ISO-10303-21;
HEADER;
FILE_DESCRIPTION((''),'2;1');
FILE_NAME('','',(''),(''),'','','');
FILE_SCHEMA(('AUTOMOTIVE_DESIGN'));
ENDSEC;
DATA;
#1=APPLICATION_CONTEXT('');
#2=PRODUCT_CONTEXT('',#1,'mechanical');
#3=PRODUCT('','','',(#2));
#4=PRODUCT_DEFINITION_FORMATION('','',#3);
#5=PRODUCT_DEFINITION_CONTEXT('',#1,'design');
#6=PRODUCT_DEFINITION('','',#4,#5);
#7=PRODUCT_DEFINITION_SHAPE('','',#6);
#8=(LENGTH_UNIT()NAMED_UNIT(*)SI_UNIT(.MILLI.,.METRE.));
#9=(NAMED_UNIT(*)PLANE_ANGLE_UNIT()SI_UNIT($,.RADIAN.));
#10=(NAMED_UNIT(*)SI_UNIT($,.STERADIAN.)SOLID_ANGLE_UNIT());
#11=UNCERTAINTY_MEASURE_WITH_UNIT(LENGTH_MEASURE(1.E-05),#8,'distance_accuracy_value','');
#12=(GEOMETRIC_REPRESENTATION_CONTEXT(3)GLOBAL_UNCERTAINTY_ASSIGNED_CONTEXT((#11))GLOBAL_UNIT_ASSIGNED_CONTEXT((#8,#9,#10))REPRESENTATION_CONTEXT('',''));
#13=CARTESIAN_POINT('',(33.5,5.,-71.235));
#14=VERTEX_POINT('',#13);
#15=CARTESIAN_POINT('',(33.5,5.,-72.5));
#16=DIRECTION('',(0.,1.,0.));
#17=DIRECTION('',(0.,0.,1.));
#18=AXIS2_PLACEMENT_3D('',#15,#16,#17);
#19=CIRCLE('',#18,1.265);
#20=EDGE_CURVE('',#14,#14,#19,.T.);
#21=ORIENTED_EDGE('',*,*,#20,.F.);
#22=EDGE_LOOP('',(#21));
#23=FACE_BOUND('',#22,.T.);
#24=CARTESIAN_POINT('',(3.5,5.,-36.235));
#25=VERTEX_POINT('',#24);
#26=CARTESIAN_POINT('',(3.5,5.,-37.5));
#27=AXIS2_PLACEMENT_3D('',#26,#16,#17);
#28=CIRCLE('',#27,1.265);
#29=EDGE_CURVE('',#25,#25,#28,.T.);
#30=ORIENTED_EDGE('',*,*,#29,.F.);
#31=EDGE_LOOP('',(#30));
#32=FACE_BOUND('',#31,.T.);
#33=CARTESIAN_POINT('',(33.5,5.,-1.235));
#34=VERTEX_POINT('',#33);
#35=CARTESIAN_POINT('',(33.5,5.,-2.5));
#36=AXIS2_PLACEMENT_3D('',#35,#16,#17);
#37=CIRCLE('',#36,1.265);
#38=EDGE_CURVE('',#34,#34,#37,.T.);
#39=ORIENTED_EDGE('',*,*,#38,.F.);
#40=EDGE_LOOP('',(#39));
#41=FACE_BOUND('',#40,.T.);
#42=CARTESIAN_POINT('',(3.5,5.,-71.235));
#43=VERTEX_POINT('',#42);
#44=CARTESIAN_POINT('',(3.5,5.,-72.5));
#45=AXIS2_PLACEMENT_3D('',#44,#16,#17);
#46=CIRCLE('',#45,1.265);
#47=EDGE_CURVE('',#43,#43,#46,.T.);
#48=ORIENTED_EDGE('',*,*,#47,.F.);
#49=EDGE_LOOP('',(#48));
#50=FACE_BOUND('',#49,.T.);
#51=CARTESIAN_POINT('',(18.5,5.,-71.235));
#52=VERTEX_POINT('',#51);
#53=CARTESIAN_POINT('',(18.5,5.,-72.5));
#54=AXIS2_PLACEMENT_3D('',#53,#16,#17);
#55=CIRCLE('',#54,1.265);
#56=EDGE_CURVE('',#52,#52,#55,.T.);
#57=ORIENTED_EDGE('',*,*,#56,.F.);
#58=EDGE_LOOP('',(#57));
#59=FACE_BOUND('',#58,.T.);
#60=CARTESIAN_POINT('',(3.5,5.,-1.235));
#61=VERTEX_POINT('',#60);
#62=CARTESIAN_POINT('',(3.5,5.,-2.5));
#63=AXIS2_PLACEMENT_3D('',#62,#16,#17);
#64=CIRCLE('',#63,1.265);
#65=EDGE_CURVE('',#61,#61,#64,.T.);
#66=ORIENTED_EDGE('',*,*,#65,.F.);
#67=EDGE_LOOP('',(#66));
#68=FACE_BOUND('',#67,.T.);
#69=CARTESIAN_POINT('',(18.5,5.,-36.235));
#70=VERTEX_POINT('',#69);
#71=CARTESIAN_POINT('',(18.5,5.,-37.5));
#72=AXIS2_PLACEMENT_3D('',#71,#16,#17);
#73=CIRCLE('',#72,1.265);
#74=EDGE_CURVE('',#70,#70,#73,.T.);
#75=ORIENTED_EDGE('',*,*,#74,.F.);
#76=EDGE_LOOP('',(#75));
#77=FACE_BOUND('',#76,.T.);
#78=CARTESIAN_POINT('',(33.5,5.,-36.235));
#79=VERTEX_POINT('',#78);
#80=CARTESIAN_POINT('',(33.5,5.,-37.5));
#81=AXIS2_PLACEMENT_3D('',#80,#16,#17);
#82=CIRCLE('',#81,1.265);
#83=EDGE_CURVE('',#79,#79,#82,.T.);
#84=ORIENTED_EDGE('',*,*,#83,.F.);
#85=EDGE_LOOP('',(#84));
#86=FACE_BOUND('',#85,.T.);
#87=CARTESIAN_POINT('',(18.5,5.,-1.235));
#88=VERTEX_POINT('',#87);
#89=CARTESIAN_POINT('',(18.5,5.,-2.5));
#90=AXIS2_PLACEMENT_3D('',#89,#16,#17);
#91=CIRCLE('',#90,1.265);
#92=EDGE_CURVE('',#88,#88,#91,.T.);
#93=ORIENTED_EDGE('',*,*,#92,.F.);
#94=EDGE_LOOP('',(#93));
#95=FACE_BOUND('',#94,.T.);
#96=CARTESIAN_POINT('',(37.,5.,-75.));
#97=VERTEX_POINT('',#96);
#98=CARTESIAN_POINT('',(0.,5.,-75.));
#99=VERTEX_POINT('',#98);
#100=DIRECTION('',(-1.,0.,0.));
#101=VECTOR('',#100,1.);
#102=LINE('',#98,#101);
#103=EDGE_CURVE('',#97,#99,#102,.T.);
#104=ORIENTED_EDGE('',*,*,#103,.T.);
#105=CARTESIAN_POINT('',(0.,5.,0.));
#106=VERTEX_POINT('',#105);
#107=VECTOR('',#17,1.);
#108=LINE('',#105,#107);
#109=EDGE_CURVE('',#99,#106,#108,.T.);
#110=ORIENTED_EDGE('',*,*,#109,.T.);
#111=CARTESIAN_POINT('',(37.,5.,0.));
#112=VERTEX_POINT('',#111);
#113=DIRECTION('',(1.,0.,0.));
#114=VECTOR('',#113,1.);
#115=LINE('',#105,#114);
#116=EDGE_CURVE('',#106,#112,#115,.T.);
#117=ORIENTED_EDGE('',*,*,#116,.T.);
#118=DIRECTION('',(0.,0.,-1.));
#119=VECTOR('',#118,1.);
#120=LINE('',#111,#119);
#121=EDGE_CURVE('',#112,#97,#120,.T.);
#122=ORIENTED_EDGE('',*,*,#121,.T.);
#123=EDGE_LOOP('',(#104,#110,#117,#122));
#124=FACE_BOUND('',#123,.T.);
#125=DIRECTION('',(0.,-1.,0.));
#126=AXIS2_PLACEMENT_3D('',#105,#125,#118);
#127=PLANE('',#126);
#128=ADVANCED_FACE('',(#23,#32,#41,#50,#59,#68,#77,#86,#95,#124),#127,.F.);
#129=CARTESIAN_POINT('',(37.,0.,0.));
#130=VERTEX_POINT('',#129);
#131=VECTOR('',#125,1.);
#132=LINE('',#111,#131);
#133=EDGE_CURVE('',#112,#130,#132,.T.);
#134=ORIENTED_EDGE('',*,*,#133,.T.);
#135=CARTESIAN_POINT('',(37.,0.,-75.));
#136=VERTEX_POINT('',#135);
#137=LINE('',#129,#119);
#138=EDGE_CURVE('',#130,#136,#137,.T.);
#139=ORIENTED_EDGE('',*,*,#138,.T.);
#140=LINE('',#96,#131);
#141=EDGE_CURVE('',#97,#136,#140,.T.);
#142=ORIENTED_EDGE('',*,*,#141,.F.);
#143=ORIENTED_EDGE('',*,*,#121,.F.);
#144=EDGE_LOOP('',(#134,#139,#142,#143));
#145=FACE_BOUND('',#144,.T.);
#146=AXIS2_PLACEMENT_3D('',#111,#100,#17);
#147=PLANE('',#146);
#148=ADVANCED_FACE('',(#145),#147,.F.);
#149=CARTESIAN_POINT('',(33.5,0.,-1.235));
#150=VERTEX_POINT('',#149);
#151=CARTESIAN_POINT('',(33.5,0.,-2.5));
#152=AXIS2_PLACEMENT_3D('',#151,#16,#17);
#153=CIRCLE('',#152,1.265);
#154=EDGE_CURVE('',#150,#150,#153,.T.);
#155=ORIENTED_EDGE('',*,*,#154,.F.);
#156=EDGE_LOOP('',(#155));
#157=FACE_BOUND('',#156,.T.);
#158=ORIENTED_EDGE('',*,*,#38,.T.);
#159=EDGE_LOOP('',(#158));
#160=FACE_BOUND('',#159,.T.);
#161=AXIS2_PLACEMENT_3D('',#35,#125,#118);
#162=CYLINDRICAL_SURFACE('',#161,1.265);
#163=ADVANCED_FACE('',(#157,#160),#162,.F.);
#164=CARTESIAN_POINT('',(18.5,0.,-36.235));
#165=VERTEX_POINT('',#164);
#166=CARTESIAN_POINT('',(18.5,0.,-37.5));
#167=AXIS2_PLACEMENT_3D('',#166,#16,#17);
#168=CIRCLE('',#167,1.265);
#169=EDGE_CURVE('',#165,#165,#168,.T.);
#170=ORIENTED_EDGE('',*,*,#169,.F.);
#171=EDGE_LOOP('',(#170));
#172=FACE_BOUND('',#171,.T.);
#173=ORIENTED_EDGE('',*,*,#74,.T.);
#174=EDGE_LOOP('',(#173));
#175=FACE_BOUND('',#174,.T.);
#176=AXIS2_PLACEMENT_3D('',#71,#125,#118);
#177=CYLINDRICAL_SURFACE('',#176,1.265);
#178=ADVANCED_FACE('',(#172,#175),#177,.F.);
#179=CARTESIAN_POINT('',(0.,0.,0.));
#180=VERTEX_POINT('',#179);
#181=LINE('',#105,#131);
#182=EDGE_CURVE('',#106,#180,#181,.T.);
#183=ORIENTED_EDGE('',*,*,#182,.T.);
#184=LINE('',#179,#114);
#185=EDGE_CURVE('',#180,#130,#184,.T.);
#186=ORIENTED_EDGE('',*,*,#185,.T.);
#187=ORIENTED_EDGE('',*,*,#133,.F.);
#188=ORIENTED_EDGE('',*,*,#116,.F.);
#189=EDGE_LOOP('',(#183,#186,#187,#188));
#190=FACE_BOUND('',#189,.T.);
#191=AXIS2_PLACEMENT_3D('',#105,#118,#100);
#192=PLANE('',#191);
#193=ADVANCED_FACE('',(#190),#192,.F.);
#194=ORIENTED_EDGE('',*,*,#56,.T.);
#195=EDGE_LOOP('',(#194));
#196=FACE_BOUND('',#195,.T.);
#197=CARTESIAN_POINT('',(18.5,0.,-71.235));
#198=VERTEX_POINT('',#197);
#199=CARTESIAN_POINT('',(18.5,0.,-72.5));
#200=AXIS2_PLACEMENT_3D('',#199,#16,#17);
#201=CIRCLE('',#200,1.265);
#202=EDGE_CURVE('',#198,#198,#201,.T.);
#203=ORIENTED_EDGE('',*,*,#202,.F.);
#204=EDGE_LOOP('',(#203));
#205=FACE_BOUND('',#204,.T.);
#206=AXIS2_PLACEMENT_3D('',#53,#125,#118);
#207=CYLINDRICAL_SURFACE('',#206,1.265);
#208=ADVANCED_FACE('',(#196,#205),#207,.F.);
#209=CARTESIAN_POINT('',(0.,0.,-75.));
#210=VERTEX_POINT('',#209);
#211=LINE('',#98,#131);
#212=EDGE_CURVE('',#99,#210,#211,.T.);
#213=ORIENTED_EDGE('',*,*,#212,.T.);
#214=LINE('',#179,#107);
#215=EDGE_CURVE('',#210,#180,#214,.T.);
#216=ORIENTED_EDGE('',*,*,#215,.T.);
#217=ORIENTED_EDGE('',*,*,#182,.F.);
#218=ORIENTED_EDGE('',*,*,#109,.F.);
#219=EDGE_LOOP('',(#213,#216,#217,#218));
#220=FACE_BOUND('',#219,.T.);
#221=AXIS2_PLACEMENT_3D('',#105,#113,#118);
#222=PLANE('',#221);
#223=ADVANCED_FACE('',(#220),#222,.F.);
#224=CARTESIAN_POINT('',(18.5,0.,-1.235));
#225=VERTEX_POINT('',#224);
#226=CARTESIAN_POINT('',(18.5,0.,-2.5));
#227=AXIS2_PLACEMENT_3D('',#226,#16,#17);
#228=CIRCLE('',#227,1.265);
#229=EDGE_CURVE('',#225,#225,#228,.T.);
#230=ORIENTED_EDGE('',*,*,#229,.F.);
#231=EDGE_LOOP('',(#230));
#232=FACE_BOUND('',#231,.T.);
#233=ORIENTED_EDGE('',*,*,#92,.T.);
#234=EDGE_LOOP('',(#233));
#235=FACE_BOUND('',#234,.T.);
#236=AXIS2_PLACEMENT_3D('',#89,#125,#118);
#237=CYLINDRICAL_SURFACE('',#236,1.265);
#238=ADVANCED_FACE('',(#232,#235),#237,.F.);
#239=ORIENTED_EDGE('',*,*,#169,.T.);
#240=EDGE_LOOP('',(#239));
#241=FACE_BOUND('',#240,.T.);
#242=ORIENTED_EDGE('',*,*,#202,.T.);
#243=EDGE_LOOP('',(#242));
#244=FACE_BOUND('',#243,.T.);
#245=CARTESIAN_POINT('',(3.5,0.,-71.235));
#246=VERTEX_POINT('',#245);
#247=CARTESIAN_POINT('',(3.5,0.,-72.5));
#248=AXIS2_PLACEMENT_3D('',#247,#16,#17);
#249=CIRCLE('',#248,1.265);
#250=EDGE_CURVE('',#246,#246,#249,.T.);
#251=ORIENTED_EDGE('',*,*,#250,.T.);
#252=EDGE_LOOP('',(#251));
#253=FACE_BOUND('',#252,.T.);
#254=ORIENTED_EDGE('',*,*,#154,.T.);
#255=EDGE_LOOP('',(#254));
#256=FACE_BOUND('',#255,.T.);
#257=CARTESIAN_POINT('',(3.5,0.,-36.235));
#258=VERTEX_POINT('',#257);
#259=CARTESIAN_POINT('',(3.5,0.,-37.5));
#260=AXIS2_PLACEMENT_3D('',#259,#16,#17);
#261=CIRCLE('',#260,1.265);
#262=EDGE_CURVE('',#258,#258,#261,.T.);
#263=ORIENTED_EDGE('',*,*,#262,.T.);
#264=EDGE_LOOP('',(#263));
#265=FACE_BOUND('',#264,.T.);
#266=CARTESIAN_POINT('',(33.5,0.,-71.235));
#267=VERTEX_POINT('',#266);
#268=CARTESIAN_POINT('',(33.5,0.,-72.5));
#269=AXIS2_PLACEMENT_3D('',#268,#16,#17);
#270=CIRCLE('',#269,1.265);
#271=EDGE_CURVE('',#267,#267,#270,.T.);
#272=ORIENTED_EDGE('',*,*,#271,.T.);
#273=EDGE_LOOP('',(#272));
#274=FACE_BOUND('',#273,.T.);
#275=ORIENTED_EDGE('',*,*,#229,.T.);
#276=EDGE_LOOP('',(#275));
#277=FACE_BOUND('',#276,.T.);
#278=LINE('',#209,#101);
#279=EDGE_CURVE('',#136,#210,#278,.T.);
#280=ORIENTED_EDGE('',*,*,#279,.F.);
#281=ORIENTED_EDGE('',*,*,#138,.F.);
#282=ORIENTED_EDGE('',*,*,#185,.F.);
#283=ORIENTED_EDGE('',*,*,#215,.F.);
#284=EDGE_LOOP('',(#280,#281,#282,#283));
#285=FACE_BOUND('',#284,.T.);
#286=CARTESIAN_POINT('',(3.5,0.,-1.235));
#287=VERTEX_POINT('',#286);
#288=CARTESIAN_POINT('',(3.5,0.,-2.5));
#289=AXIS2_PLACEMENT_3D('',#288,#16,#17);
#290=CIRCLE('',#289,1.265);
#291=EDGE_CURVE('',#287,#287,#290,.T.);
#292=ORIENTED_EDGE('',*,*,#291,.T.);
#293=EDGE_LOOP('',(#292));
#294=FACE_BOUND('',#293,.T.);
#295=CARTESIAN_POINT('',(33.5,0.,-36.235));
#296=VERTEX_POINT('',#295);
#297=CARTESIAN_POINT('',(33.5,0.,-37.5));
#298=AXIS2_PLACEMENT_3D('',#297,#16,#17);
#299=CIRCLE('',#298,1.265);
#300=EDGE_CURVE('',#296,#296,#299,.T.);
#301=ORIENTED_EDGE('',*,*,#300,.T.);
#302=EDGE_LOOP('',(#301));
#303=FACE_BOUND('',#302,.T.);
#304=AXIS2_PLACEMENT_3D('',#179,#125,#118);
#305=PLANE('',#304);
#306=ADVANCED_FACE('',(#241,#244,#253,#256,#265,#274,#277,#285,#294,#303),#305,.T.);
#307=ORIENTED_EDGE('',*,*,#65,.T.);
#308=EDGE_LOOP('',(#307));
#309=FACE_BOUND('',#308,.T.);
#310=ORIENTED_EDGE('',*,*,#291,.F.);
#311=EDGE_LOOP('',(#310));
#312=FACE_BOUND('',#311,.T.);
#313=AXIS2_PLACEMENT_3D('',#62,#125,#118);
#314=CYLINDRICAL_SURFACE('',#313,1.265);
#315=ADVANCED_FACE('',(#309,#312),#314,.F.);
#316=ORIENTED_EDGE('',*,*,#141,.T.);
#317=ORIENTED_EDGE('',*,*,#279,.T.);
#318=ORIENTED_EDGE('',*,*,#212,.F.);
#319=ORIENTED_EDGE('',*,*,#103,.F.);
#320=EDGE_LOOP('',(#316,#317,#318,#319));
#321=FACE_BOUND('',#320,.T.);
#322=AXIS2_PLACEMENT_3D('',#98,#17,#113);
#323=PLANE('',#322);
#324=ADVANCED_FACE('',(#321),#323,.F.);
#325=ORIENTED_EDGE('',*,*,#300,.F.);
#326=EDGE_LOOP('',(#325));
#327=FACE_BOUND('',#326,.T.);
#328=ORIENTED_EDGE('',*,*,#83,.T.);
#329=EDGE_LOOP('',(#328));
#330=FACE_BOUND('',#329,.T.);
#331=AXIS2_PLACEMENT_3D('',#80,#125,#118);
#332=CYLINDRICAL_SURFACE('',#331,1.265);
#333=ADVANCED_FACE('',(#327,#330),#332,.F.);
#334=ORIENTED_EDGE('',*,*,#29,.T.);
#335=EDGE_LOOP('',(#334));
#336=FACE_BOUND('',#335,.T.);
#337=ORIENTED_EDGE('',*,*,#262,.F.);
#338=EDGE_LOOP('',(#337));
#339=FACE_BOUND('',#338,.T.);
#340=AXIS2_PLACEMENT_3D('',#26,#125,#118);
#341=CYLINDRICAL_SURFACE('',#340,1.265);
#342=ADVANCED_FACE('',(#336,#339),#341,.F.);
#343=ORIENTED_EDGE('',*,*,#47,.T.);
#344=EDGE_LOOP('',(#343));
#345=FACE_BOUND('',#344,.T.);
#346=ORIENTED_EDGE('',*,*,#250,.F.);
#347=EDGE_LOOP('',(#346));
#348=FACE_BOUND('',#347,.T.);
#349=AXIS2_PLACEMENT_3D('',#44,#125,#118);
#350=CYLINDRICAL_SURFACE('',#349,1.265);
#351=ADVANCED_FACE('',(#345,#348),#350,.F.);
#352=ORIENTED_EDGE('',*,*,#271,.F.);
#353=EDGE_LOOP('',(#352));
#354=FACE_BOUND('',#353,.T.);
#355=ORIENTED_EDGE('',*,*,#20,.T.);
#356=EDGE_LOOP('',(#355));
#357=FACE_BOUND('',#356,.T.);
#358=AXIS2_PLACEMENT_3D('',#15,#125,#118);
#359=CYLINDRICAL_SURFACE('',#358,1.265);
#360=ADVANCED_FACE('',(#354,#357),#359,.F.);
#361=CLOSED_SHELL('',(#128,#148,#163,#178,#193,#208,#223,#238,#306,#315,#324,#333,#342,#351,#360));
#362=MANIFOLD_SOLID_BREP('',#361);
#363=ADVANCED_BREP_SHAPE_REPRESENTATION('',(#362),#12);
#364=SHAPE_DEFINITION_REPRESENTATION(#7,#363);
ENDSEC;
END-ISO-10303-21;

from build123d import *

# Parameters (mm, degrees)
ESBO_O1_W                = 37
ESBO_O1_H                = 75
ESBO_O1_R                = 1.265
RESSALTO_EXTRUS_O2_DEPTH = 5


with BuildPart() as part:
    # Esboço1 → Ressalto-extrusão2 (new body)
    with BuildSketch(Plane(origin=(0, 0, 0), x_dir=(1, 0, 0), z_dir=(0, 1, 0))):
        with Locations((18.5, 37.5)):
            Rectangle(ESBO_O1_W, ESBO_O1_H)
        with Locations(Location((3.5, 72.5, 0), (0, 0, 270))):
            Circle(ESBO_O1_R, mode=Mode.SUBTRACT)
        with Locations(Location((18.5, 72.5, 0), (0, 0, 270))):
            Circle(ESBO_O1_R, mode=Mode.SUBTRACT)
        with Locations(Location((33.5, 72.5, 0), (0, 0, 270))):
            Circle(ESBO_O1_R, mode=Mode.SUBTRACT)
        with Locations(Location((18.5, 37.5, 0), (0, 0, 270))):
            Circle(ESBO_O1_R, mode=Mode.SUBTRACT)
        with Locations(Location((33.5, 37.5, 0), (0, 0, 270))):
            Circle(ESBO_O1_R, mode=Mode.SUBTRACT)
        with Locations(Location((18.5, 2.5, 0), (0, 0, 270))):
            Circle(ESBO_O1_R, mode=Mode.SUBTRACT)
        with Locations(Location((33.5, 2.5, 0), (0, 0, 270))):
            Circle(ESBO_O1_R, mode=Mode.SUBTRACT)
        with Locations(Location((3.5, 37.5, 0), (0, 0, 270))):
            Circle(ESBO_O1_R, mode=Mode.SUBTRACT)
        with Locations(Location((3.5, 2.5, 0), (0, 0, 270))):
            Circle(ESBO_O1_R, mode=Mode.SUBTRACT)
    extrude(amount=RESSALTO_EXTRUS_O2_DEPTH)


solid = part.part
